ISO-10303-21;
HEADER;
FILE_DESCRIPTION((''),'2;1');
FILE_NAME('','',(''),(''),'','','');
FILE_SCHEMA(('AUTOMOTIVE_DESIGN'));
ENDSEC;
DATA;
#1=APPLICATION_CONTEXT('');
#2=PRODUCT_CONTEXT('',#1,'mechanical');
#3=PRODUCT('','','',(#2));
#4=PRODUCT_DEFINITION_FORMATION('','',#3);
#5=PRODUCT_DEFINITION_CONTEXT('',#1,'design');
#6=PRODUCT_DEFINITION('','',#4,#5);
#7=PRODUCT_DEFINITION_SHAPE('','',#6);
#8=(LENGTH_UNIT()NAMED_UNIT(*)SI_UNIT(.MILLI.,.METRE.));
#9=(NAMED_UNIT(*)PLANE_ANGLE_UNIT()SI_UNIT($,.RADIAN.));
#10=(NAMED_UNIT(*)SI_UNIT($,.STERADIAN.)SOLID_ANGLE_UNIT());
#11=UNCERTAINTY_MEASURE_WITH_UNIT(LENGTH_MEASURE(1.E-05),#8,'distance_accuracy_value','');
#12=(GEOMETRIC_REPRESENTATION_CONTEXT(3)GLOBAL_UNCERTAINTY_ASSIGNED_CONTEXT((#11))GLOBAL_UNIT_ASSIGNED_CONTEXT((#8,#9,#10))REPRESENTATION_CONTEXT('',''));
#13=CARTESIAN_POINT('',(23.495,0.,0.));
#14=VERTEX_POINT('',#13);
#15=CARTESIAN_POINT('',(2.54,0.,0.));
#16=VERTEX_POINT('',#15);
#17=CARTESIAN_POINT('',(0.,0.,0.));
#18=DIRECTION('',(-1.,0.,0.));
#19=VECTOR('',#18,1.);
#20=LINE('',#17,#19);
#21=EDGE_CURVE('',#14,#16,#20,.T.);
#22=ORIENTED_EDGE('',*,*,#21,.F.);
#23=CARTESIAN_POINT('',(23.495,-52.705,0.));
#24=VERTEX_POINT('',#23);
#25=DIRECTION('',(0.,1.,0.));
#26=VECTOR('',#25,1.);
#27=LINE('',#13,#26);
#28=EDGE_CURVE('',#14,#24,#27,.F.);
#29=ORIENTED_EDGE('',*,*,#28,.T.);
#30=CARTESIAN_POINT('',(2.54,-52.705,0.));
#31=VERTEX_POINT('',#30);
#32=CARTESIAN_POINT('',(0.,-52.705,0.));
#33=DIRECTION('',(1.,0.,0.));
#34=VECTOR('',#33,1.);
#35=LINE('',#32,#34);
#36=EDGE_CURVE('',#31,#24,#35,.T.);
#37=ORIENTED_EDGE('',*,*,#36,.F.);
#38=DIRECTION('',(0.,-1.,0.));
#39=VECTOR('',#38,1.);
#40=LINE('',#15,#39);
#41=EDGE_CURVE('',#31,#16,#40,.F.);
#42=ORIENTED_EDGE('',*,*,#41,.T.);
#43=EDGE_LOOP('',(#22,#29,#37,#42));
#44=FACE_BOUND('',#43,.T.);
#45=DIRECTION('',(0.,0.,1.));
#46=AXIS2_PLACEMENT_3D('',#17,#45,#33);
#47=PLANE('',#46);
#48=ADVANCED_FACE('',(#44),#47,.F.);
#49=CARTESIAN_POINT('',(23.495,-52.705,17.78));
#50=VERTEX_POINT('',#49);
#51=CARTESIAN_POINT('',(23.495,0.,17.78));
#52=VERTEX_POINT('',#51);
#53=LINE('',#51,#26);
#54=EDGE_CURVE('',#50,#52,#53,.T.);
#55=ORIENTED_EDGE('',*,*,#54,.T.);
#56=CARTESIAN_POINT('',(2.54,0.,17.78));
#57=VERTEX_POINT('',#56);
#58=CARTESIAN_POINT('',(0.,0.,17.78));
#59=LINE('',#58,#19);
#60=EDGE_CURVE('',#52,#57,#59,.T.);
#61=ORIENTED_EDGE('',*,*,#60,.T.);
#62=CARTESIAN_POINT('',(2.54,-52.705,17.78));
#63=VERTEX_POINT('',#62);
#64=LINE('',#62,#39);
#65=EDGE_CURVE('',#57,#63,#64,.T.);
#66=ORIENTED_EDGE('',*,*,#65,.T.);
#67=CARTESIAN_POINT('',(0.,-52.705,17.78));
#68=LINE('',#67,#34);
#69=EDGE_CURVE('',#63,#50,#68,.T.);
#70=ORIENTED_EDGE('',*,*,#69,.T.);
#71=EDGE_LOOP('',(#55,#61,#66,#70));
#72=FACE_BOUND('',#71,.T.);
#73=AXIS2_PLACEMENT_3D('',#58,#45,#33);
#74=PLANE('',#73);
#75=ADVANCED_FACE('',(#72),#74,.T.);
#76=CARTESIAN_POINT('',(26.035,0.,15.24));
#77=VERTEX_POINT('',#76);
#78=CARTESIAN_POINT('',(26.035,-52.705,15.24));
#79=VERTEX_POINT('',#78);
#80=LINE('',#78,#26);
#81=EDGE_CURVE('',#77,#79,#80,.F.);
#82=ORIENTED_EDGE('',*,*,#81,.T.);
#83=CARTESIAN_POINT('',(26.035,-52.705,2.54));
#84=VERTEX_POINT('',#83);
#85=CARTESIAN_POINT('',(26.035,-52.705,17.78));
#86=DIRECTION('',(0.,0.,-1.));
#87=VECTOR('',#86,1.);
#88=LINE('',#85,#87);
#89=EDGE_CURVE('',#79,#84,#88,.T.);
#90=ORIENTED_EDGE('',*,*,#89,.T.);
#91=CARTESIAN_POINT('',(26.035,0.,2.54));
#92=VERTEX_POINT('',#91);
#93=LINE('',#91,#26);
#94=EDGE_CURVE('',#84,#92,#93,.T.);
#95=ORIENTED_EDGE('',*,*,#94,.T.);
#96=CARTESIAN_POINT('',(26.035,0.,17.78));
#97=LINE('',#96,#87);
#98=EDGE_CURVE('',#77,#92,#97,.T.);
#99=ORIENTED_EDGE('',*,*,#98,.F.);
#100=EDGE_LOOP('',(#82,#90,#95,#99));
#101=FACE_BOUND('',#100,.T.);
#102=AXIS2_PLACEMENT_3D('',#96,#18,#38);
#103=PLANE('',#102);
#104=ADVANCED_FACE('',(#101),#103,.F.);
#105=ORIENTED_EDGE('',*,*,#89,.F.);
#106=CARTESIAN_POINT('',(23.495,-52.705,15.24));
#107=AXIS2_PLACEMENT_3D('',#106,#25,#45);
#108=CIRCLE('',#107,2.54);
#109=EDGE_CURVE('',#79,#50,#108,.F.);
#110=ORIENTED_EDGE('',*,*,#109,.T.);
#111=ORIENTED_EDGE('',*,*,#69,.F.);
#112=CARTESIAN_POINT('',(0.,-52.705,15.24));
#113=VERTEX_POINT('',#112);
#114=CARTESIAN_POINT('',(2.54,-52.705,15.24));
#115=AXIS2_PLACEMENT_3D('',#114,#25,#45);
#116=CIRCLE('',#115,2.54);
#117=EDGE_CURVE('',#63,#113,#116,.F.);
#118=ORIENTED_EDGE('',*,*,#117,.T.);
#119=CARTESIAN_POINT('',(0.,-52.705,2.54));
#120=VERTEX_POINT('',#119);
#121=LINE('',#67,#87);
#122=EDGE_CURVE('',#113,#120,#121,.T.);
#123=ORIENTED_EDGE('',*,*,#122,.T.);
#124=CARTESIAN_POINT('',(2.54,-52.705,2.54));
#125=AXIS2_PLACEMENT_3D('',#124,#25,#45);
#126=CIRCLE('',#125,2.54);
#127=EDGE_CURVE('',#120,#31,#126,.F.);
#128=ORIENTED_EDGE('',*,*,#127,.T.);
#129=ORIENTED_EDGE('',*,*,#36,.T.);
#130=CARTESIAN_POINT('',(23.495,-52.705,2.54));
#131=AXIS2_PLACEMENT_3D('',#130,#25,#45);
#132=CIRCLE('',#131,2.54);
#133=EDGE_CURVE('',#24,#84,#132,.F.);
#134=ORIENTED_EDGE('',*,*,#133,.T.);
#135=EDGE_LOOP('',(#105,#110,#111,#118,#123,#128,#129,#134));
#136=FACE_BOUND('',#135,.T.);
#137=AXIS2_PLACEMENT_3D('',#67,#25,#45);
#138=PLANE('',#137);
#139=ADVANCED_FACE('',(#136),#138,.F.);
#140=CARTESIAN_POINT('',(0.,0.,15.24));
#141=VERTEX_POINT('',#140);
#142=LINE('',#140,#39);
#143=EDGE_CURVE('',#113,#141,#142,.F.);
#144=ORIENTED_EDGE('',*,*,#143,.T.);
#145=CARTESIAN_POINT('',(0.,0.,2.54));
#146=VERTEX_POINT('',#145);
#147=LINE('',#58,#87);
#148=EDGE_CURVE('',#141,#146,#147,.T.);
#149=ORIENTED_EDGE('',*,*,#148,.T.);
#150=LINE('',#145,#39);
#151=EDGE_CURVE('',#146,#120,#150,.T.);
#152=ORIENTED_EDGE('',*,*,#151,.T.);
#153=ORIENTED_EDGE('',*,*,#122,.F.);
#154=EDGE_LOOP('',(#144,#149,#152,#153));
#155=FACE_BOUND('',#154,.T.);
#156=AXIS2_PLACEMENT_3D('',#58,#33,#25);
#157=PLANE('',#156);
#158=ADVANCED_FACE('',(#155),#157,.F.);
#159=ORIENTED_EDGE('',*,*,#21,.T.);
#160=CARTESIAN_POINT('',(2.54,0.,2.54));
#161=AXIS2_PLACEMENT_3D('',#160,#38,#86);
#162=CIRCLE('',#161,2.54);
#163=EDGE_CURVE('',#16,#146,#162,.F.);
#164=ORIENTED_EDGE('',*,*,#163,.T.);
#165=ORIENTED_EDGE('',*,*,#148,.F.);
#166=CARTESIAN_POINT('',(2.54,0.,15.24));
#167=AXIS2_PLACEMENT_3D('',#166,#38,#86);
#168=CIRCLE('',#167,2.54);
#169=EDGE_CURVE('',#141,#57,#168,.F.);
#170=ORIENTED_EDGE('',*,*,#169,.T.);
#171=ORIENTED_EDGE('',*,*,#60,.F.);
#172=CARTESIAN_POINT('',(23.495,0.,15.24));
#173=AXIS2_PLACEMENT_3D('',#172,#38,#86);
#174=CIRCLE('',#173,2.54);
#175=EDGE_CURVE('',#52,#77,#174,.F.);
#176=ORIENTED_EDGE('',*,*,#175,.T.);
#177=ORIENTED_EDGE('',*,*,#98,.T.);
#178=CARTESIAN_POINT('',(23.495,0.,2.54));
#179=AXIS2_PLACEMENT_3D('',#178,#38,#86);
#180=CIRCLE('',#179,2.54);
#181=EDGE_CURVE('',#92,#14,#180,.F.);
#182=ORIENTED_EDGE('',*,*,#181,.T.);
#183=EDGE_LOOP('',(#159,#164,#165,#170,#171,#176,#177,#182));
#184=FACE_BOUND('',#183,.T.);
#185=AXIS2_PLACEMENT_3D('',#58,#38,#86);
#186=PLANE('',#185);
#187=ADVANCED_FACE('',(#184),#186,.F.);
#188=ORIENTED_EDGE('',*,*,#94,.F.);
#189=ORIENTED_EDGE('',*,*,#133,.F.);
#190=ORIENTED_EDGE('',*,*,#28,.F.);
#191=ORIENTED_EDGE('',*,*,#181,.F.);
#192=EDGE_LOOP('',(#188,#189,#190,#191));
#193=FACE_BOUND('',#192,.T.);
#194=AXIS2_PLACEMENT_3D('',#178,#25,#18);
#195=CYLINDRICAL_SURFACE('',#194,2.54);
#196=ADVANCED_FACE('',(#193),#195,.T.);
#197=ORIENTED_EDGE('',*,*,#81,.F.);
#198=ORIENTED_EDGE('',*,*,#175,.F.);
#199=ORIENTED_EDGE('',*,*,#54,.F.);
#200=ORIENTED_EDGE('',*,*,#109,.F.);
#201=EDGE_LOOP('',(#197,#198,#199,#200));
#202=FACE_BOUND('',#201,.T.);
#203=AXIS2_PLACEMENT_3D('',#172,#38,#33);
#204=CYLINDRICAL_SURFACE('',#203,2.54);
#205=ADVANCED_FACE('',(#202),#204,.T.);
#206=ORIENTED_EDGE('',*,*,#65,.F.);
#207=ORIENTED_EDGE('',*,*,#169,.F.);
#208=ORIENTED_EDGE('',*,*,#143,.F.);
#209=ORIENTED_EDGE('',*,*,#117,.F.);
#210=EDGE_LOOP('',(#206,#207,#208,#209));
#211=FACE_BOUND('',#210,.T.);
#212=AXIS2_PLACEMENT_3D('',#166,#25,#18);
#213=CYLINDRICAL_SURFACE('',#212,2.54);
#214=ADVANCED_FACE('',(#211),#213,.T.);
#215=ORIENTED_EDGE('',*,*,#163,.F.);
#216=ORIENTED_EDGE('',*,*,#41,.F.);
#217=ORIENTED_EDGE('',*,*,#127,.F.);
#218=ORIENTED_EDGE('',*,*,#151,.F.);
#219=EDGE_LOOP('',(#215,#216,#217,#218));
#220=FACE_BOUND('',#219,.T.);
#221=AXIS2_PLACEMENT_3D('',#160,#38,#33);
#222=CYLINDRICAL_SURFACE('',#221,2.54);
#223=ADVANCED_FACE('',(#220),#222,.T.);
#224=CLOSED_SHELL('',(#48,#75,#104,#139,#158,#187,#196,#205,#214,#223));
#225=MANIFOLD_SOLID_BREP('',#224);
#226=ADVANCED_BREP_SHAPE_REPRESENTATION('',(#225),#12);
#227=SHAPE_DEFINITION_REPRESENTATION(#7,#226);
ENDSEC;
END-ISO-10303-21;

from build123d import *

# Parameters (mm, degrees)
SKETCH1_W           = 26.035
SKETCH1_H           = 52.705
BOSS_EXTRUDE1_DEPTH = 17.78
FILLET1_R           = 2.54


with BuildPart() as part:
    # Sketch1 → Boss-Extrude1 (new body)
    with BuildSketch(Plane.XY):
        with Locations((13.0175, -26.3525)):
            Rectangle(SKETCH1_W, SKETCH1_H)
    extrude(amount=BOSS_EXTRUDE1_DEPTH)

    # Fillet1
    fillet1_edges = [part.edges().sort_by_distance(p)[0] for p in [
        (26.035, -26.3525, 17.78),
        (0, -26.3525, 17.78),
        (26.035, -26.3525, 0),
        (0, -26.3525, 0),
    ]]
    fillet(fillet1_edges, radius=FILLET1_R)


solid = part.part
